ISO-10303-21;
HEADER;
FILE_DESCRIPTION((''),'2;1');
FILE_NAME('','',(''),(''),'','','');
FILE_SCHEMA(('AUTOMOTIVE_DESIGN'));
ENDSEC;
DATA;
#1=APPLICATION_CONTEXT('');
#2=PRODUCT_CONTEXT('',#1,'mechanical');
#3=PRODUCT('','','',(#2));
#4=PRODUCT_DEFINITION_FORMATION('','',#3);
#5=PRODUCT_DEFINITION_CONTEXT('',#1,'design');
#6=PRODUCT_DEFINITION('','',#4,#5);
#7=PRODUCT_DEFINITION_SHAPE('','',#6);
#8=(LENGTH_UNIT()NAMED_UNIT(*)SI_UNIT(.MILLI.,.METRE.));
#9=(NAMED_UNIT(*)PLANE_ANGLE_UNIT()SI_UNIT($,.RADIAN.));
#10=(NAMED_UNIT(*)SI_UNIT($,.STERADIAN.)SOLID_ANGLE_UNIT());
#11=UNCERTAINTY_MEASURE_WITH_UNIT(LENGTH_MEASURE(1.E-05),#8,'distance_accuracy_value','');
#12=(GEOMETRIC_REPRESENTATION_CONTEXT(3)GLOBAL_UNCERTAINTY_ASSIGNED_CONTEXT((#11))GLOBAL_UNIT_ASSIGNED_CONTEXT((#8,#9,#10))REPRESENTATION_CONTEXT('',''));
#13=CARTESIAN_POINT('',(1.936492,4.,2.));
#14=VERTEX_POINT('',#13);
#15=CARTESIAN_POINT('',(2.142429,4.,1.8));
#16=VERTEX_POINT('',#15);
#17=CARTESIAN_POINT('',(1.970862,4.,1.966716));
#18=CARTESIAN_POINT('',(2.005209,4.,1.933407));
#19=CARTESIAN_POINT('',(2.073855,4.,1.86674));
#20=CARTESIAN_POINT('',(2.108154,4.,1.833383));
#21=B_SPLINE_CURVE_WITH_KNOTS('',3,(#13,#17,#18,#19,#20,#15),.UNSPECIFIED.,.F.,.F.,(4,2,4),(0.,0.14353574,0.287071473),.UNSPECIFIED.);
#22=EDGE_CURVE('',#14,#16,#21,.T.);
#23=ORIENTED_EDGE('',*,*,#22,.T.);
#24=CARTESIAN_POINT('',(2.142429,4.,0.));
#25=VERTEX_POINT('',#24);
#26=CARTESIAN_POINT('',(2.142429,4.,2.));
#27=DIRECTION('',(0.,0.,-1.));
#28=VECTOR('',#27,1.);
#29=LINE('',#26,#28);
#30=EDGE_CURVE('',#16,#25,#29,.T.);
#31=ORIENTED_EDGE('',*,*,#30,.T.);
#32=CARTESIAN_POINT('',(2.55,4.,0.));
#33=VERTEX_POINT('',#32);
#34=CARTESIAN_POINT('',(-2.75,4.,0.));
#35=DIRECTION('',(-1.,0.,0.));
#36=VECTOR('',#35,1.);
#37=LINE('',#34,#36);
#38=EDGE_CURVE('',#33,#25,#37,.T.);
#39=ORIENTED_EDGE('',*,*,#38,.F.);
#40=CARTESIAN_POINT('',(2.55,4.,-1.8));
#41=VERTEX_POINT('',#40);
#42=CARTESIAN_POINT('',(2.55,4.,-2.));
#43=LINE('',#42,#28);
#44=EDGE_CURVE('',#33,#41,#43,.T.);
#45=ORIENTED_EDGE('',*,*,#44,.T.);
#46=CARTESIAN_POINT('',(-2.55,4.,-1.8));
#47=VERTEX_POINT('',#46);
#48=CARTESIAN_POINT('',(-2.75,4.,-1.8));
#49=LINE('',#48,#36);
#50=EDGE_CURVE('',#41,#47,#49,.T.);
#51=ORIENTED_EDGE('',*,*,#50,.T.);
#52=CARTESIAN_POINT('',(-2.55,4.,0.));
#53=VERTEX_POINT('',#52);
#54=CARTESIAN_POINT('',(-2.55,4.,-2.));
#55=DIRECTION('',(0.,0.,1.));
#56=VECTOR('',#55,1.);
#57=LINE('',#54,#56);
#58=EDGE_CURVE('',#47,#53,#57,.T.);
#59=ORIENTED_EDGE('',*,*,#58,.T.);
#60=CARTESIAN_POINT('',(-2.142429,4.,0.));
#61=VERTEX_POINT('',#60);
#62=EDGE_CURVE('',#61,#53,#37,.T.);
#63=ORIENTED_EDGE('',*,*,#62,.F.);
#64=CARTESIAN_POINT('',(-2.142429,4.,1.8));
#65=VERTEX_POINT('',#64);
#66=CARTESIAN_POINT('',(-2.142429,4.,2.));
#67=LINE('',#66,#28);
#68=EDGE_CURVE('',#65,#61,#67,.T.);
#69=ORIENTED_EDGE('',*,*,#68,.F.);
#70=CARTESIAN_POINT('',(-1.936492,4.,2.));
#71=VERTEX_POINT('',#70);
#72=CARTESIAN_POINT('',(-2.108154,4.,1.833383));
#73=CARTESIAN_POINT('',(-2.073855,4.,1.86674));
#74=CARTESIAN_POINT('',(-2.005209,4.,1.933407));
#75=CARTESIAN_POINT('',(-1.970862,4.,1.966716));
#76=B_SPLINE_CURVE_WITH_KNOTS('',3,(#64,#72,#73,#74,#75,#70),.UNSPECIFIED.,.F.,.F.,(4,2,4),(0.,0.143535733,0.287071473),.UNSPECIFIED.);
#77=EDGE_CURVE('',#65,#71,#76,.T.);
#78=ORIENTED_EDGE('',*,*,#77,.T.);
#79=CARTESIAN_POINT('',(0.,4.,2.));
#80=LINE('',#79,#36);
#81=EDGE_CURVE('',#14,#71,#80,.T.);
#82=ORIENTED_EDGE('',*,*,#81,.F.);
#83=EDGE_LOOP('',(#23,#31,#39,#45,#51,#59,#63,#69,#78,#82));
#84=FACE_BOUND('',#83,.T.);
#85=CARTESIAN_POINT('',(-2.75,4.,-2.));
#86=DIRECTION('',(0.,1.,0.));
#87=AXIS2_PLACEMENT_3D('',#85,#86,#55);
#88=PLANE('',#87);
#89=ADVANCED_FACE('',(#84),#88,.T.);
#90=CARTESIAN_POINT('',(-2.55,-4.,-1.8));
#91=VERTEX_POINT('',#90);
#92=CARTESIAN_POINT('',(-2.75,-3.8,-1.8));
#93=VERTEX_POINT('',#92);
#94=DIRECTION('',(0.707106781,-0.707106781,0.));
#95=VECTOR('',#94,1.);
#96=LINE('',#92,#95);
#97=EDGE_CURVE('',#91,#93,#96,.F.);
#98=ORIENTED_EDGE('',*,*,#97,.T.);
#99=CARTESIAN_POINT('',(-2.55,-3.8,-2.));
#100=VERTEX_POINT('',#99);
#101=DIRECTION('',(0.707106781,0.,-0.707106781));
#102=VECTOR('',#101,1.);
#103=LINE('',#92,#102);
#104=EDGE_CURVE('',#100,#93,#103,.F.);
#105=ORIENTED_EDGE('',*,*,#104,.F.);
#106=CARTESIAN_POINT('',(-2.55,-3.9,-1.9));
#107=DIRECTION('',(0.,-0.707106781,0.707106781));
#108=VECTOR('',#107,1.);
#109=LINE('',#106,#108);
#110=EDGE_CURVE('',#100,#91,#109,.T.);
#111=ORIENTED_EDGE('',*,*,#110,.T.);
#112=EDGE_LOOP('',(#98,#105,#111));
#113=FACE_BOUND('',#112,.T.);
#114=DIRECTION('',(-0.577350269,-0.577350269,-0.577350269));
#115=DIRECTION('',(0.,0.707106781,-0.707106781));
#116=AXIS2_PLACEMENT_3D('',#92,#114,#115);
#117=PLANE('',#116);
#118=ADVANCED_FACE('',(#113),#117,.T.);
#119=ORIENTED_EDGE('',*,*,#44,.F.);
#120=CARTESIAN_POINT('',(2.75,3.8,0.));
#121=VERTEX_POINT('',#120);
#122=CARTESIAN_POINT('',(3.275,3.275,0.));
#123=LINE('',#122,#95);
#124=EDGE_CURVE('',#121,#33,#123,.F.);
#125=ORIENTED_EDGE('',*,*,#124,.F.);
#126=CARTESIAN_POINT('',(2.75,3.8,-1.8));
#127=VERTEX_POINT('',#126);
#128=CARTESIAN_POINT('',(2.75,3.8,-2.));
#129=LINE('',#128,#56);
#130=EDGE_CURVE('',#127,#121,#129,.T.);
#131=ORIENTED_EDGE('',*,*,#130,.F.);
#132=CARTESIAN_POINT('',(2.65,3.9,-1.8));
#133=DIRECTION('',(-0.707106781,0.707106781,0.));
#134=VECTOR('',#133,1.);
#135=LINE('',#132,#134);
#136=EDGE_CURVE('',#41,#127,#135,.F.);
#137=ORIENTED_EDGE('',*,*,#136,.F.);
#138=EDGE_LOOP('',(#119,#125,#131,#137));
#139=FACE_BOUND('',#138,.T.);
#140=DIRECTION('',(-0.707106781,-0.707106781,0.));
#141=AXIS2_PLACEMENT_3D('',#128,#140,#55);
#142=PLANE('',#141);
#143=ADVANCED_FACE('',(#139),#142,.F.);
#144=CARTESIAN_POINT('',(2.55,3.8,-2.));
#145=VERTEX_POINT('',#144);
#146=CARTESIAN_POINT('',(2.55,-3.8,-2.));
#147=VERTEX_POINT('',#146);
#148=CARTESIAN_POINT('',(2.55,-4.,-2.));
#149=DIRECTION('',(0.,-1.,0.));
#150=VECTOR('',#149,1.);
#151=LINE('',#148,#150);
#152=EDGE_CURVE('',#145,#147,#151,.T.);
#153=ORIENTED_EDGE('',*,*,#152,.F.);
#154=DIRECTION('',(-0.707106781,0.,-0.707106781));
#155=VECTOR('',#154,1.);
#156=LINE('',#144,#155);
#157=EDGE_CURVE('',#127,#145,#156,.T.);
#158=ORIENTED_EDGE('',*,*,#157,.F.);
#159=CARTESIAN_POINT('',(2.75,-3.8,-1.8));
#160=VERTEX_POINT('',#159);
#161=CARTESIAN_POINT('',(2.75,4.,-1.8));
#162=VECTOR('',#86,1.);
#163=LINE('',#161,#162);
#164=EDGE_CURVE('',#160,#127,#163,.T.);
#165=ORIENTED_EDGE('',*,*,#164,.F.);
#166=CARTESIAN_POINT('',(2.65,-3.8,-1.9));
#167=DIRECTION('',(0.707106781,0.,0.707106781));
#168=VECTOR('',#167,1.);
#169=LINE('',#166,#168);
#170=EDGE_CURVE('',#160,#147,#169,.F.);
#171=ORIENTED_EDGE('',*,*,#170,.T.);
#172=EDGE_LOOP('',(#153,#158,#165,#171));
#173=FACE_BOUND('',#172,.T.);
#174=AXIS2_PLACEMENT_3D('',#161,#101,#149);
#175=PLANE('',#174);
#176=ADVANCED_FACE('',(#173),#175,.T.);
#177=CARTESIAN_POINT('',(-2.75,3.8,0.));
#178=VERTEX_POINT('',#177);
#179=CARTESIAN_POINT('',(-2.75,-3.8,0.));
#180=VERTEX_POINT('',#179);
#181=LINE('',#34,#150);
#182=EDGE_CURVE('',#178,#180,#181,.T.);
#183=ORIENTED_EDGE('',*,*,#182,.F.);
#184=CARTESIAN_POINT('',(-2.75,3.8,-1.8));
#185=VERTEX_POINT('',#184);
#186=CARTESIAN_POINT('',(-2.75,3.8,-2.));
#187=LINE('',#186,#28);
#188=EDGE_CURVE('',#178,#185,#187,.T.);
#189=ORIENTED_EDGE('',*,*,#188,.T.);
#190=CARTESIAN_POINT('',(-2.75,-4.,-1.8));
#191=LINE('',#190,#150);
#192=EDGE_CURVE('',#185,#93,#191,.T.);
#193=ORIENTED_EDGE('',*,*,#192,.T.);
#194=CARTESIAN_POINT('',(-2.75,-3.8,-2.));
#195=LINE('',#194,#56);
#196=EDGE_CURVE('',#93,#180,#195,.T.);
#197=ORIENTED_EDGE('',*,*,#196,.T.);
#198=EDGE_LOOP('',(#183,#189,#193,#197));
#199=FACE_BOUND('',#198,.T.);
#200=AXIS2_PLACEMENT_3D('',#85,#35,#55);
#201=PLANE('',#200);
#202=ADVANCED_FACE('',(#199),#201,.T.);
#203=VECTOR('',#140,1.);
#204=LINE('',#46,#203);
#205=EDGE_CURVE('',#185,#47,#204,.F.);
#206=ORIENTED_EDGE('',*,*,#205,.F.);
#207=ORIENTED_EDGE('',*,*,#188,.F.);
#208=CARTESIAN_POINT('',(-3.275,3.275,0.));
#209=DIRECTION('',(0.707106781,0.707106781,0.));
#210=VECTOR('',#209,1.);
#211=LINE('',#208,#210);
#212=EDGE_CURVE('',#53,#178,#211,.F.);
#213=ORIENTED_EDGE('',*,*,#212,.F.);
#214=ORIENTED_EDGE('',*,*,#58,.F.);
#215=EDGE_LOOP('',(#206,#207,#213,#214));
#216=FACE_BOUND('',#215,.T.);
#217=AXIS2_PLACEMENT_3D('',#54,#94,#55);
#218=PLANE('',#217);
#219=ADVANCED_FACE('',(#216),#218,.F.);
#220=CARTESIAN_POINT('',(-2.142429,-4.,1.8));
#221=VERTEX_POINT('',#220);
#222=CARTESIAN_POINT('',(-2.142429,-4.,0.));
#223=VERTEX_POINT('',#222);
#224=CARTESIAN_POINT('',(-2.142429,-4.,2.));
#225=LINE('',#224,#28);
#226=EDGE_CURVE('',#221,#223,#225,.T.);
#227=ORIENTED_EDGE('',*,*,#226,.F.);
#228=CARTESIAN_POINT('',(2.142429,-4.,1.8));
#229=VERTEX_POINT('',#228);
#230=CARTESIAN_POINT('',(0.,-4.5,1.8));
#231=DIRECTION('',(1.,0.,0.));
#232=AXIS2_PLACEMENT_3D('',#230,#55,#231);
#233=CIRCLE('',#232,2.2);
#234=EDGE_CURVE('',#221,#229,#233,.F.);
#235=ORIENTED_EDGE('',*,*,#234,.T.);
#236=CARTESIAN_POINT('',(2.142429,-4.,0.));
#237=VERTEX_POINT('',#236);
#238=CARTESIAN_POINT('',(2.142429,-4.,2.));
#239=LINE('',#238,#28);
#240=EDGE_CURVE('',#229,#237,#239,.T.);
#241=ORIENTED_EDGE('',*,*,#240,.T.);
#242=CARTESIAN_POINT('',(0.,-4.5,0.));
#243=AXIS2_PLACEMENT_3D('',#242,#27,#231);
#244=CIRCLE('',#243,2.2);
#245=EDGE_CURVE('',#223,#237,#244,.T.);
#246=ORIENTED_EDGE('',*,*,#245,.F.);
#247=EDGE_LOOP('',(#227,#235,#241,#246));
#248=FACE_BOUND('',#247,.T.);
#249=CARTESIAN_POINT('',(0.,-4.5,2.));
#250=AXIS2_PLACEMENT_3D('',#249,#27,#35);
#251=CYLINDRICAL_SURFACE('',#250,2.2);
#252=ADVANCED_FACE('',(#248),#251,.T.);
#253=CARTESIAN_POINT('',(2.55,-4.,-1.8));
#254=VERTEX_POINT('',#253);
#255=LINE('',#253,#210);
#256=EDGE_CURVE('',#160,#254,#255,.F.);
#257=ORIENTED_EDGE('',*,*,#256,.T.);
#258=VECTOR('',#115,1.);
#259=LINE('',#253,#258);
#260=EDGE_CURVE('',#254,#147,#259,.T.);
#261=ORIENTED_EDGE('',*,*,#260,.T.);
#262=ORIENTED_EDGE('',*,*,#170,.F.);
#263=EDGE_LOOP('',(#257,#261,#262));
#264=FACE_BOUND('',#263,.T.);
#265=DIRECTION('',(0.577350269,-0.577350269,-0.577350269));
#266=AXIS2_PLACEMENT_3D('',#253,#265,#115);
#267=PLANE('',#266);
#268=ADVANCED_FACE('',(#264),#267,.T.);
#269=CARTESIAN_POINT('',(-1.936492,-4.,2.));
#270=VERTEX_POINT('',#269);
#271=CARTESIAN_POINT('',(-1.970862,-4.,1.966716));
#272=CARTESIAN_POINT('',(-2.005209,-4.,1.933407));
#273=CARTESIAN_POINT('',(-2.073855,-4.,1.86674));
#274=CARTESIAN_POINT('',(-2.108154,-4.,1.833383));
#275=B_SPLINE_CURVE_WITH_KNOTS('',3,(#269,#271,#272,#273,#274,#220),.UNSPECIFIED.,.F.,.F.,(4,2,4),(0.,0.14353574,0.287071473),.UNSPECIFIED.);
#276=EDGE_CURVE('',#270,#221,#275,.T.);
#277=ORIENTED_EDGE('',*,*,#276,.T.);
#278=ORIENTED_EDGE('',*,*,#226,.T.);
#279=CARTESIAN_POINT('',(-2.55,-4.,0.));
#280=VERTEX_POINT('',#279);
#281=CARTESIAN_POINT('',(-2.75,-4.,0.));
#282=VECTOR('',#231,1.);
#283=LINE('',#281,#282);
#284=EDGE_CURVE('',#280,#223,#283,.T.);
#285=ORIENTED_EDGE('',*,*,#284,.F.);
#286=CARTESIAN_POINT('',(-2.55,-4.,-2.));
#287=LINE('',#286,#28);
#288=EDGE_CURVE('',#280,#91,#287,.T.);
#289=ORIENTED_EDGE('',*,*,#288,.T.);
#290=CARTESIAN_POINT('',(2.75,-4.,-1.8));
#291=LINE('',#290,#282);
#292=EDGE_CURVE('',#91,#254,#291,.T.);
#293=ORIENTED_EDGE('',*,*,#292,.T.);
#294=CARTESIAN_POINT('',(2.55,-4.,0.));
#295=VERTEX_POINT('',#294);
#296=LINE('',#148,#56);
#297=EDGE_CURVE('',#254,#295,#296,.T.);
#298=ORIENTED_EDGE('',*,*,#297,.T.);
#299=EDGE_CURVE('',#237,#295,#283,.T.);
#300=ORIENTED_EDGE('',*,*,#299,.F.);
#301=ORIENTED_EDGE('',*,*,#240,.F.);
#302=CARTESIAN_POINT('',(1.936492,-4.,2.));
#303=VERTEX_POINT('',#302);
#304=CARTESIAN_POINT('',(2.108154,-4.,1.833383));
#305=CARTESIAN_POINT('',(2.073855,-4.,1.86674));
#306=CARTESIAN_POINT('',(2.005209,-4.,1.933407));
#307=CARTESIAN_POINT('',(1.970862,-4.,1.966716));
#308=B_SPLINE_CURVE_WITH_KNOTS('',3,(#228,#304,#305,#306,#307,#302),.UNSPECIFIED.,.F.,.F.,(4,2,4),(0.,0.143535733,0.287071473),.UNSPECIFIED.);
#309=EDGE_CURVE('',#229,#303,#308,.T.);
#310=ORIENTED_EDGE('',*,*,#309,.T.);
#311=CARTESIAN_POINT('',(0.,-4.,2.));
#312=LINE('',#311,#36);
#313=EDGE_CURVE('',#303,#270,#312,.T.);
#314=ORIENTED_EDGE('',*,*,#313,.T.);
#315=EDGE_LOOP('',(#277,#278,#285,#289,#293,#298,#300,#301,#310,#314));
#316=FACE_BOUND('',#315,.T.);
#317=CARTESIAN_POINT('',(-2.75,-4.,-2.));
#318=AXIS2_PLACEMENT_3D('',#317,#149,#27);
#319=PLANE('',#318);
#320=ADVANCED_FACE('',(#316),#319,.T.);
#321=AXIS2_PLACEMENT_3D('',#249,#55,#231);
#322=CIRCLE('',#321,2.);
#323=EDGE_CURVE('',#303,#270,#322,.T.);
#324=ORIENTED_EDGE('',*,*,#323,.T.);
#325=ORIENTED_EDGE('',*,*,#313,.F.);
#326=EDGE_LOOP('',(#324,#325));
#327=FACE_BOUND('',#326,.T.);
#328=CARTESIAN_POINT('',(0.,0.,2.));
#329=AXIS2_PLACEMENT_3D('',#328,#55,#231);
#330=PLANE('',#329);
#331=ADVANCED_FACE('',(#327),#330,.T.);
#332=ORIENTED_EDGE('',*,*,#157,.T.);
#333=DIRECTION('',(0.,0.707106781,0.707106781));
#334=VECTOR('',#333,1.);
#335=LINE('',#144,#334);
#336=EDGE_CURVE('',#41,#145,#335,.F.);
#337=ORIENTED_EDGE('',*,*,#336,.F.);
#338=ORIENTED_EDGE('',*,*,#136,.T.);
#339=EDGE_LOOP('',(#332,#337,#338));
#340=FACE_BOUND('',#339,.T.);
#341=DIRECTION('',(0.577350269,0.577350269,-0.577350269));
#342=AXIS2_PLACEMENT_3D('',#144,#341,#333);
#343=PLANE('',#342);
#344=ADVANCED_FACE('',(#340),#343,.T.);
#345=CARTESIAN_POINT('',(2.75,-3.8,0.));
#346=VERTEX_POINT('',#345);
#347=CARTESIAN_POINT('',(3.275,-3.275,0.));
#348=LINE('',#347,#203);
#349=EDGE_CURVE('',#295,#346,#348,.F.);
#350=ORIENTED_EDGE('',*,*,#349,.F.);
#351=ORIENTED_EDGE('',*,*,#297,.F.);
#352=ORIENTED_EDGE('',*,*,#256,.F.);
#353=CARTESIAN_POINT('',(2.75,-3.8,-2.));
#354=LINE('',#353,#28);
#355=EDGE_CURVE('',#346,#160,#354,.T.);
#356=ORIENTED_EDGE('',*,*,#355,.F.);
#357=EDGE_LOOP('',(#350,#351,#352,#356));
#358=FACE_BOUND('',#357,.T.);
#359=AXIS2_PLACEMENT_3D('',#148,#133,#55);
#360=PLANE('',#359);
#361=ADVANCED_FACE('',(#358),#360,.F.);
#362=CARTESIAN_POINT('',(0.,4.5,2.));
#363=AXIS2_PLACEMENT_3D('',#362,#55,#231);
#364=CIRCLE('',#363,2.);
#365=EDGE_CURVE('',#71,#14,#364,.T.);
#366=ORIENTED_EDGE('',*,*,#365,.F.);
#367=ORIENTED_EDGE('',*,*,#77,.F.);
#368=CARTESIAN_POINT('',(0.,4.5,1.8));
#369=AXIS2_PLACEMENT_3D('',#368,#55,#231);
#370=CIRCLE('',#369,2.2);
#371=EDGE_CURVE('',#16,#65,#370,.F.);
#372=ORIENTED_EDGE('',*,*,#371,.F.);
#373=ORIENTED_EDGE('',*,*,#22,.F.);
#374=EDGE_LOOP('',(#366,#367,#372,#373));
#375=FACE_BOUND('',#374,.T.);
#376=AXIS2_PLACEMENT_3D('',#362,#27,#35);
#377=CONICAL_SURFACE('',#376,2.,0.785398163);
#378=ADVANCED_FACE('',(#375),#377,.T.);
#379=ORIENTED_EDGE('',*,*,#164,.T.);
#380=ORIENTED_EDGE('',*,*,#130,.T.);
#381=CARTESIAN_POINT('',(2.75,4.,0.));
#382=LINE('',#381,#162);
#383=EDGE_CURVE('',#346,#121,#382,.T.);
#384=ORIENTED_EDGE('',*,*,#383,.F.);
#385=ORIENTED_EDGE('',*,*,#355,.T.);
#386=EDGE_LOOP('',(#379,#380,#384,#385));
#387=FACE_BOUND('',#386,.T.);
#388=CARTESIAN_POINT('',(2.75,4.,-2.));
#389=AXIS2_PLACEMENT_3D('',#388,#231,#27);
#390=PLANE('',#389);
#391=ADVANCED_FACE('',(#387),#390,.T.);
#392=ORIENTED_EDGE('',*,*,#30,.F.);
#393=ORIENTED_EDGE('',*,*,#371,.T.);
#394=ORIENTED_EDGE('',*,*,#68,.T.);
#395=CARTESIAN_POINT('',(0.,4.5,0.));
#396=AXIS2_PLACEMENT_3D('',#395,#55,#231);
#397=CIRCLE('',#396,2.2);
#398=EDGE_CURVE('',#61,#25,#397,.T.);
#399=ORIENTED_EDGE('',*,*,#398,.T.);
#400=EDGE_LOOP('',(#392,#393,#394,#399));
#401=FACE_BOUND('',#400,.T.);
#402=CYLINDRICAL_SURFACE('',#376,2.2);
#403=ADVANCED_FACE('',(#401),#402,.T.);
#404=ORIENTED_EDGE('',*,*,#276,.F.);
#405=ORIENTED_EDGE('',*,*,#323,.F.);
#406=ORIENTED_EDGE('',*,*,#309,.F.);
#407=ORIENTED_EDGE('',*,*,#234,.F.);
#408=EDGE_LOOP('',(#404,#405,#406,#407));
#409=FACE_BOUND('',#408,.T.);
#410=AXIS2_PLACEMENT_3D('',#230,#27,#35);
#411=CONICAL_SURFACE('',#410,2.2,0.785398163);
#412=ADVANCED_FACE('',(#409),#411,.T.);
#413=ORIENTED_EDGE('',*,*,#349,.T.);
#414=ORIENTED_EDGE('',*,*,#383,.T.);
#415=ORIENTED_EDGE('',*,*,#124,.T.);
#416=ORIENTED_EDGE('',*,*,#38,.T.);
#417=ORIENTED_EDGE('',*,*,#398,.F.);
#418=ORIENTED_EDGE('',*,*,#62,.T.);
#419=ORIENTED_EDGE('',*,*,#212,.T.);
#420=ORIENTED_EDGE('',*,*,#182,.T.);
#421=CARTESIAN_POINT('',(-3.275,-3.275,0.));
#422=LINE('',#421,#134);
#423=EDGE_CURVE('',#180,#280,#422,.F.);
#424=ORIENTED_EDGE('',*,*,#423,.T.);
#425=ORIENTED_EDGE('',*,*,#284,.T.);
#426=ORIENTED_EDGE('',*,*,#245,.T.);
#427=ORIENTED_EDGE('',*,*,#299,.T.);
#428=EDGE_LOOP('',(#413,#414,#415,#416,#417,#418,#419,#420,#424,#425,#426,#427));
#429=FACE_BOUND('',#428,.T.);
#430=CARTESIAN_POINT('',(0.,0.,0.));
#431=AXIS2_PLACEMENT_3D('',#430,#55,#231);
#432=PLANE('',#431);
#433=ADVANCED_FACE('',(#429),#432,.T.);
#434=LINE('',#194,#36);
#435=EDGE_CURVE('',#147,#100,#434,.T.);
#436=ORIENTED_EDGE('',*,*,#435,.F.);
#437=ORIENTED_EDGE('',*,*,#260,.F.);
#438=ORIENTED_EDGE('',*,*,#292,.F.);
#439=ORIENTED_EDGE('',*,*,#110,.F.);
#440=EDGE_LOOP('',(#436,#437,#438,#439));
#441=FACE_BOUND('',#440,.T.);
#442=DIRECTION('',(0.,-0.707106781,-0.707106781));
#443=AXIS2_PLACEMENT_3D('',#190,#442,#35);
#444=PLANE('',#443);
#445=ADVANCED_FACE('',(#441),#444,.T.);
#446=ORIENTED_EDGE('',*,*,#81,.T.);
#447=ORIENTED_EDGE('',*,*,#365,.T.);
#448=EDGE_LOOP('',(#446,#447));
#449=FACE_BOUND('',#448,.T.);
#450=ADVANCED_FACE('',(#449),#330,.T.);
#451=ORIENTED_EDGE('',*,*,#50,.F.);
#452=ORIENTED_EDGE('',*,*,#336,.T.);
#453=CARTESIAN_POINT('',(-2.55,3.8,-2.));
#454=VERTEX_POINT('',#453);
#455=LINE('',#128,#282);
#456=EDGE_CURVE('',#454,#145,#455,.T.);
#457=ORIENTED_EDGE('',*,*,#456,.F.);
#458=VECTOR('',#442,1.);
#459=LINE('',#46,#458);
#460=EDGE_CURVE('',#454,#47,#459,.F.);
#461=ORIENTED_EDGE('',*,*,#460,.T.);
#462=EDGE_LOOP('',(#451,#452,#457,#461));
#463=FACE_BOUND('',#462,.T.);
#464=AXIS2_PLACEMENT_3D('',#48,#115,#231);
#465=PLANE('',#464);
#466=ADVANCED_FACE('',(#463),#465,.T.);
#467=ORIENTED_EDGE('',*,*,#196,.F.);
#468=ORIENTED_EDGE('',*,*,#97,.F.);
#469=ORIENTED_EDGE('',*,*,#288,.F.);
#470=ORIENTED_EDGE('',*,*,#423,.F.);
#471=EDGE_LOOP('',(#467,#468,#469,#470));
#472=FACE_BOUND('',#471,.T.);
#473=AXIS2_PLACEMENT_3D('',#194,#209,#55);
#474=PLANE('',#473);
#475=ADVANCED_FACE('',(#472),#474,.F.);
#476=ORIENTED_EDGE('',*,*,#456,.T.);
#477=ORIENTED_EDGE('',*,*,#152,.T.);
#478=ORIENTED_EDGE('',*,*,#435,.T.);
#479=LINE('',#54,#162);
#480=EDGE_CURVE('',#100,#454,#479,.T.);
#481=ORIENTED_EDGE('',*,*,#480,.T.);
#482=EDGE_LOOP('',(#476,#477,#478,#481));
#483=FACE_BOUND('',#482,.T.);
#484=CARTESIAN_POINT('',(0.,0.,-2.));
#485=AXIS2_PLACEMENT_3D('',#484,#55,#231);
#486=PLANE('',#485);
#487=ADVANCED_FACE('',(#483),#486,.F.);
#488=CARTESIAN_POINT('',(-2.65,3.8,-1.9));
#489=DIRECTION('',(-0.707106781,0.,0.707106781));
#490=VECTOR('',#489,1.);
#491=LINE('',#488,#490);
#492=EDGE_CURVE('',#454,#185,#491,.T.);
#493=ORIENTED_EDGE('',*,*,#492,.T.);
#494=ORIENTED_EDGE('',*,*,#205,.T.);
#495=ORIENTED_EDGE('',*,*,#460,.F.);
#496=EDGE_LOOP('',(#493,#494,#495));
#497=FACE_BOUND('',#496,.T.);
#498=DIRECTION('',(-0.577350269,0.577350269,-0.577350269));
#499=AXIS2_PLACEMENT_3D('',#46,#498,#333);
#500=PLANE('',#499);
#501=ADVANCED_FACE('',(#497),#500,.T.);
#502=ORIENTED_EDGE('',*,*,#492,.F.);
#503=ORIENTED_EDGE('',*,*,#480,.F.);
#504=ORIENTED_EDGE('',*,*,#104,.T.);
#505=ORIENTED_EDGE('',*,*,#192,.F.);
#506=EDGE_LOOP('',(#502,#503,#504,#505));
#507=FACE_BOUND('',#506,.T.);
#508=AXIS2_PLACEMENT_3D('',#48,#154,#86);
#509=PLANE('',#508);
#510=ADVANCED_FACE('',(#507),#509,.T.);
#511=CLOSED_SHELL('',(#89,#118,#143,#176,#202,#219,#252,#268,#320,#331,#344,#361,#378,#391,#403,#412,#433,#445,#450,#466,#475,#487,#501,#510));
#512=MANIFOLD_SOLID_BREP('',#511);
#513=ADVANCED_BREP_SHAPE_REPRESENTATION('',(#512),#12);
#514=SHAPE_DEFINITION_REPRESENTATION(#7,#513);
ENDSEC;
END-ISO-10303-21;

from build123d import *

# Parameters (mm, degrees)
SKETCH1_W           = 5.5
SKETCH1_H           = 8
BOSS_EXTRUDE1_DEPTH = 2
SLOT_TAB_DEPTH      = 2
DEBURS_SIZE         = 0.2


with BuildPart() as part:
    # Sketch1 → Boss-Extrude1 (new body)
    with BuildSketch(Plane.XY):
        Rectangle(SKETCH1_W, SKETCH1_H)
    extrude(amount=-BOSS_EXTRUDE1_DEPTH)

    # Sketch2 → Slot Tab (add)
    with BuildSketch(Plane.XY):
        with BuildLine():
            ThreePointArc((-2.142428529, 4), (0, 2.3), (2.142428529, 4))
            Line((2.142428529, 4), (-2.142428529, 4))
        make_face()
    slot_tab = extrude(amount=SLOT_TAB_DEPTH)

    # Slot Tabs: Slot Tab across plane
    add(slot_tab.mirror(Plane.ZX))

    # Deburs
    deburs_edges = [part.edges().sort_by_distance(p)[0] for p in [
        (-2.75, 0, -2),
        (0, 2.3, 2),
        (0, -4, -2),
        (0, -2.3, 2),
        (2.75, 0, -2),
        (2.75, -4, -1),
        (-2.75, -4, -1),
        (-2.75, 4, -1),
        (2.75, 4, -1),
        (0, 4, -2),
    ]]
    chamfer(deburs_edges, length=DEBURS_SIZE)


solid = part.part
